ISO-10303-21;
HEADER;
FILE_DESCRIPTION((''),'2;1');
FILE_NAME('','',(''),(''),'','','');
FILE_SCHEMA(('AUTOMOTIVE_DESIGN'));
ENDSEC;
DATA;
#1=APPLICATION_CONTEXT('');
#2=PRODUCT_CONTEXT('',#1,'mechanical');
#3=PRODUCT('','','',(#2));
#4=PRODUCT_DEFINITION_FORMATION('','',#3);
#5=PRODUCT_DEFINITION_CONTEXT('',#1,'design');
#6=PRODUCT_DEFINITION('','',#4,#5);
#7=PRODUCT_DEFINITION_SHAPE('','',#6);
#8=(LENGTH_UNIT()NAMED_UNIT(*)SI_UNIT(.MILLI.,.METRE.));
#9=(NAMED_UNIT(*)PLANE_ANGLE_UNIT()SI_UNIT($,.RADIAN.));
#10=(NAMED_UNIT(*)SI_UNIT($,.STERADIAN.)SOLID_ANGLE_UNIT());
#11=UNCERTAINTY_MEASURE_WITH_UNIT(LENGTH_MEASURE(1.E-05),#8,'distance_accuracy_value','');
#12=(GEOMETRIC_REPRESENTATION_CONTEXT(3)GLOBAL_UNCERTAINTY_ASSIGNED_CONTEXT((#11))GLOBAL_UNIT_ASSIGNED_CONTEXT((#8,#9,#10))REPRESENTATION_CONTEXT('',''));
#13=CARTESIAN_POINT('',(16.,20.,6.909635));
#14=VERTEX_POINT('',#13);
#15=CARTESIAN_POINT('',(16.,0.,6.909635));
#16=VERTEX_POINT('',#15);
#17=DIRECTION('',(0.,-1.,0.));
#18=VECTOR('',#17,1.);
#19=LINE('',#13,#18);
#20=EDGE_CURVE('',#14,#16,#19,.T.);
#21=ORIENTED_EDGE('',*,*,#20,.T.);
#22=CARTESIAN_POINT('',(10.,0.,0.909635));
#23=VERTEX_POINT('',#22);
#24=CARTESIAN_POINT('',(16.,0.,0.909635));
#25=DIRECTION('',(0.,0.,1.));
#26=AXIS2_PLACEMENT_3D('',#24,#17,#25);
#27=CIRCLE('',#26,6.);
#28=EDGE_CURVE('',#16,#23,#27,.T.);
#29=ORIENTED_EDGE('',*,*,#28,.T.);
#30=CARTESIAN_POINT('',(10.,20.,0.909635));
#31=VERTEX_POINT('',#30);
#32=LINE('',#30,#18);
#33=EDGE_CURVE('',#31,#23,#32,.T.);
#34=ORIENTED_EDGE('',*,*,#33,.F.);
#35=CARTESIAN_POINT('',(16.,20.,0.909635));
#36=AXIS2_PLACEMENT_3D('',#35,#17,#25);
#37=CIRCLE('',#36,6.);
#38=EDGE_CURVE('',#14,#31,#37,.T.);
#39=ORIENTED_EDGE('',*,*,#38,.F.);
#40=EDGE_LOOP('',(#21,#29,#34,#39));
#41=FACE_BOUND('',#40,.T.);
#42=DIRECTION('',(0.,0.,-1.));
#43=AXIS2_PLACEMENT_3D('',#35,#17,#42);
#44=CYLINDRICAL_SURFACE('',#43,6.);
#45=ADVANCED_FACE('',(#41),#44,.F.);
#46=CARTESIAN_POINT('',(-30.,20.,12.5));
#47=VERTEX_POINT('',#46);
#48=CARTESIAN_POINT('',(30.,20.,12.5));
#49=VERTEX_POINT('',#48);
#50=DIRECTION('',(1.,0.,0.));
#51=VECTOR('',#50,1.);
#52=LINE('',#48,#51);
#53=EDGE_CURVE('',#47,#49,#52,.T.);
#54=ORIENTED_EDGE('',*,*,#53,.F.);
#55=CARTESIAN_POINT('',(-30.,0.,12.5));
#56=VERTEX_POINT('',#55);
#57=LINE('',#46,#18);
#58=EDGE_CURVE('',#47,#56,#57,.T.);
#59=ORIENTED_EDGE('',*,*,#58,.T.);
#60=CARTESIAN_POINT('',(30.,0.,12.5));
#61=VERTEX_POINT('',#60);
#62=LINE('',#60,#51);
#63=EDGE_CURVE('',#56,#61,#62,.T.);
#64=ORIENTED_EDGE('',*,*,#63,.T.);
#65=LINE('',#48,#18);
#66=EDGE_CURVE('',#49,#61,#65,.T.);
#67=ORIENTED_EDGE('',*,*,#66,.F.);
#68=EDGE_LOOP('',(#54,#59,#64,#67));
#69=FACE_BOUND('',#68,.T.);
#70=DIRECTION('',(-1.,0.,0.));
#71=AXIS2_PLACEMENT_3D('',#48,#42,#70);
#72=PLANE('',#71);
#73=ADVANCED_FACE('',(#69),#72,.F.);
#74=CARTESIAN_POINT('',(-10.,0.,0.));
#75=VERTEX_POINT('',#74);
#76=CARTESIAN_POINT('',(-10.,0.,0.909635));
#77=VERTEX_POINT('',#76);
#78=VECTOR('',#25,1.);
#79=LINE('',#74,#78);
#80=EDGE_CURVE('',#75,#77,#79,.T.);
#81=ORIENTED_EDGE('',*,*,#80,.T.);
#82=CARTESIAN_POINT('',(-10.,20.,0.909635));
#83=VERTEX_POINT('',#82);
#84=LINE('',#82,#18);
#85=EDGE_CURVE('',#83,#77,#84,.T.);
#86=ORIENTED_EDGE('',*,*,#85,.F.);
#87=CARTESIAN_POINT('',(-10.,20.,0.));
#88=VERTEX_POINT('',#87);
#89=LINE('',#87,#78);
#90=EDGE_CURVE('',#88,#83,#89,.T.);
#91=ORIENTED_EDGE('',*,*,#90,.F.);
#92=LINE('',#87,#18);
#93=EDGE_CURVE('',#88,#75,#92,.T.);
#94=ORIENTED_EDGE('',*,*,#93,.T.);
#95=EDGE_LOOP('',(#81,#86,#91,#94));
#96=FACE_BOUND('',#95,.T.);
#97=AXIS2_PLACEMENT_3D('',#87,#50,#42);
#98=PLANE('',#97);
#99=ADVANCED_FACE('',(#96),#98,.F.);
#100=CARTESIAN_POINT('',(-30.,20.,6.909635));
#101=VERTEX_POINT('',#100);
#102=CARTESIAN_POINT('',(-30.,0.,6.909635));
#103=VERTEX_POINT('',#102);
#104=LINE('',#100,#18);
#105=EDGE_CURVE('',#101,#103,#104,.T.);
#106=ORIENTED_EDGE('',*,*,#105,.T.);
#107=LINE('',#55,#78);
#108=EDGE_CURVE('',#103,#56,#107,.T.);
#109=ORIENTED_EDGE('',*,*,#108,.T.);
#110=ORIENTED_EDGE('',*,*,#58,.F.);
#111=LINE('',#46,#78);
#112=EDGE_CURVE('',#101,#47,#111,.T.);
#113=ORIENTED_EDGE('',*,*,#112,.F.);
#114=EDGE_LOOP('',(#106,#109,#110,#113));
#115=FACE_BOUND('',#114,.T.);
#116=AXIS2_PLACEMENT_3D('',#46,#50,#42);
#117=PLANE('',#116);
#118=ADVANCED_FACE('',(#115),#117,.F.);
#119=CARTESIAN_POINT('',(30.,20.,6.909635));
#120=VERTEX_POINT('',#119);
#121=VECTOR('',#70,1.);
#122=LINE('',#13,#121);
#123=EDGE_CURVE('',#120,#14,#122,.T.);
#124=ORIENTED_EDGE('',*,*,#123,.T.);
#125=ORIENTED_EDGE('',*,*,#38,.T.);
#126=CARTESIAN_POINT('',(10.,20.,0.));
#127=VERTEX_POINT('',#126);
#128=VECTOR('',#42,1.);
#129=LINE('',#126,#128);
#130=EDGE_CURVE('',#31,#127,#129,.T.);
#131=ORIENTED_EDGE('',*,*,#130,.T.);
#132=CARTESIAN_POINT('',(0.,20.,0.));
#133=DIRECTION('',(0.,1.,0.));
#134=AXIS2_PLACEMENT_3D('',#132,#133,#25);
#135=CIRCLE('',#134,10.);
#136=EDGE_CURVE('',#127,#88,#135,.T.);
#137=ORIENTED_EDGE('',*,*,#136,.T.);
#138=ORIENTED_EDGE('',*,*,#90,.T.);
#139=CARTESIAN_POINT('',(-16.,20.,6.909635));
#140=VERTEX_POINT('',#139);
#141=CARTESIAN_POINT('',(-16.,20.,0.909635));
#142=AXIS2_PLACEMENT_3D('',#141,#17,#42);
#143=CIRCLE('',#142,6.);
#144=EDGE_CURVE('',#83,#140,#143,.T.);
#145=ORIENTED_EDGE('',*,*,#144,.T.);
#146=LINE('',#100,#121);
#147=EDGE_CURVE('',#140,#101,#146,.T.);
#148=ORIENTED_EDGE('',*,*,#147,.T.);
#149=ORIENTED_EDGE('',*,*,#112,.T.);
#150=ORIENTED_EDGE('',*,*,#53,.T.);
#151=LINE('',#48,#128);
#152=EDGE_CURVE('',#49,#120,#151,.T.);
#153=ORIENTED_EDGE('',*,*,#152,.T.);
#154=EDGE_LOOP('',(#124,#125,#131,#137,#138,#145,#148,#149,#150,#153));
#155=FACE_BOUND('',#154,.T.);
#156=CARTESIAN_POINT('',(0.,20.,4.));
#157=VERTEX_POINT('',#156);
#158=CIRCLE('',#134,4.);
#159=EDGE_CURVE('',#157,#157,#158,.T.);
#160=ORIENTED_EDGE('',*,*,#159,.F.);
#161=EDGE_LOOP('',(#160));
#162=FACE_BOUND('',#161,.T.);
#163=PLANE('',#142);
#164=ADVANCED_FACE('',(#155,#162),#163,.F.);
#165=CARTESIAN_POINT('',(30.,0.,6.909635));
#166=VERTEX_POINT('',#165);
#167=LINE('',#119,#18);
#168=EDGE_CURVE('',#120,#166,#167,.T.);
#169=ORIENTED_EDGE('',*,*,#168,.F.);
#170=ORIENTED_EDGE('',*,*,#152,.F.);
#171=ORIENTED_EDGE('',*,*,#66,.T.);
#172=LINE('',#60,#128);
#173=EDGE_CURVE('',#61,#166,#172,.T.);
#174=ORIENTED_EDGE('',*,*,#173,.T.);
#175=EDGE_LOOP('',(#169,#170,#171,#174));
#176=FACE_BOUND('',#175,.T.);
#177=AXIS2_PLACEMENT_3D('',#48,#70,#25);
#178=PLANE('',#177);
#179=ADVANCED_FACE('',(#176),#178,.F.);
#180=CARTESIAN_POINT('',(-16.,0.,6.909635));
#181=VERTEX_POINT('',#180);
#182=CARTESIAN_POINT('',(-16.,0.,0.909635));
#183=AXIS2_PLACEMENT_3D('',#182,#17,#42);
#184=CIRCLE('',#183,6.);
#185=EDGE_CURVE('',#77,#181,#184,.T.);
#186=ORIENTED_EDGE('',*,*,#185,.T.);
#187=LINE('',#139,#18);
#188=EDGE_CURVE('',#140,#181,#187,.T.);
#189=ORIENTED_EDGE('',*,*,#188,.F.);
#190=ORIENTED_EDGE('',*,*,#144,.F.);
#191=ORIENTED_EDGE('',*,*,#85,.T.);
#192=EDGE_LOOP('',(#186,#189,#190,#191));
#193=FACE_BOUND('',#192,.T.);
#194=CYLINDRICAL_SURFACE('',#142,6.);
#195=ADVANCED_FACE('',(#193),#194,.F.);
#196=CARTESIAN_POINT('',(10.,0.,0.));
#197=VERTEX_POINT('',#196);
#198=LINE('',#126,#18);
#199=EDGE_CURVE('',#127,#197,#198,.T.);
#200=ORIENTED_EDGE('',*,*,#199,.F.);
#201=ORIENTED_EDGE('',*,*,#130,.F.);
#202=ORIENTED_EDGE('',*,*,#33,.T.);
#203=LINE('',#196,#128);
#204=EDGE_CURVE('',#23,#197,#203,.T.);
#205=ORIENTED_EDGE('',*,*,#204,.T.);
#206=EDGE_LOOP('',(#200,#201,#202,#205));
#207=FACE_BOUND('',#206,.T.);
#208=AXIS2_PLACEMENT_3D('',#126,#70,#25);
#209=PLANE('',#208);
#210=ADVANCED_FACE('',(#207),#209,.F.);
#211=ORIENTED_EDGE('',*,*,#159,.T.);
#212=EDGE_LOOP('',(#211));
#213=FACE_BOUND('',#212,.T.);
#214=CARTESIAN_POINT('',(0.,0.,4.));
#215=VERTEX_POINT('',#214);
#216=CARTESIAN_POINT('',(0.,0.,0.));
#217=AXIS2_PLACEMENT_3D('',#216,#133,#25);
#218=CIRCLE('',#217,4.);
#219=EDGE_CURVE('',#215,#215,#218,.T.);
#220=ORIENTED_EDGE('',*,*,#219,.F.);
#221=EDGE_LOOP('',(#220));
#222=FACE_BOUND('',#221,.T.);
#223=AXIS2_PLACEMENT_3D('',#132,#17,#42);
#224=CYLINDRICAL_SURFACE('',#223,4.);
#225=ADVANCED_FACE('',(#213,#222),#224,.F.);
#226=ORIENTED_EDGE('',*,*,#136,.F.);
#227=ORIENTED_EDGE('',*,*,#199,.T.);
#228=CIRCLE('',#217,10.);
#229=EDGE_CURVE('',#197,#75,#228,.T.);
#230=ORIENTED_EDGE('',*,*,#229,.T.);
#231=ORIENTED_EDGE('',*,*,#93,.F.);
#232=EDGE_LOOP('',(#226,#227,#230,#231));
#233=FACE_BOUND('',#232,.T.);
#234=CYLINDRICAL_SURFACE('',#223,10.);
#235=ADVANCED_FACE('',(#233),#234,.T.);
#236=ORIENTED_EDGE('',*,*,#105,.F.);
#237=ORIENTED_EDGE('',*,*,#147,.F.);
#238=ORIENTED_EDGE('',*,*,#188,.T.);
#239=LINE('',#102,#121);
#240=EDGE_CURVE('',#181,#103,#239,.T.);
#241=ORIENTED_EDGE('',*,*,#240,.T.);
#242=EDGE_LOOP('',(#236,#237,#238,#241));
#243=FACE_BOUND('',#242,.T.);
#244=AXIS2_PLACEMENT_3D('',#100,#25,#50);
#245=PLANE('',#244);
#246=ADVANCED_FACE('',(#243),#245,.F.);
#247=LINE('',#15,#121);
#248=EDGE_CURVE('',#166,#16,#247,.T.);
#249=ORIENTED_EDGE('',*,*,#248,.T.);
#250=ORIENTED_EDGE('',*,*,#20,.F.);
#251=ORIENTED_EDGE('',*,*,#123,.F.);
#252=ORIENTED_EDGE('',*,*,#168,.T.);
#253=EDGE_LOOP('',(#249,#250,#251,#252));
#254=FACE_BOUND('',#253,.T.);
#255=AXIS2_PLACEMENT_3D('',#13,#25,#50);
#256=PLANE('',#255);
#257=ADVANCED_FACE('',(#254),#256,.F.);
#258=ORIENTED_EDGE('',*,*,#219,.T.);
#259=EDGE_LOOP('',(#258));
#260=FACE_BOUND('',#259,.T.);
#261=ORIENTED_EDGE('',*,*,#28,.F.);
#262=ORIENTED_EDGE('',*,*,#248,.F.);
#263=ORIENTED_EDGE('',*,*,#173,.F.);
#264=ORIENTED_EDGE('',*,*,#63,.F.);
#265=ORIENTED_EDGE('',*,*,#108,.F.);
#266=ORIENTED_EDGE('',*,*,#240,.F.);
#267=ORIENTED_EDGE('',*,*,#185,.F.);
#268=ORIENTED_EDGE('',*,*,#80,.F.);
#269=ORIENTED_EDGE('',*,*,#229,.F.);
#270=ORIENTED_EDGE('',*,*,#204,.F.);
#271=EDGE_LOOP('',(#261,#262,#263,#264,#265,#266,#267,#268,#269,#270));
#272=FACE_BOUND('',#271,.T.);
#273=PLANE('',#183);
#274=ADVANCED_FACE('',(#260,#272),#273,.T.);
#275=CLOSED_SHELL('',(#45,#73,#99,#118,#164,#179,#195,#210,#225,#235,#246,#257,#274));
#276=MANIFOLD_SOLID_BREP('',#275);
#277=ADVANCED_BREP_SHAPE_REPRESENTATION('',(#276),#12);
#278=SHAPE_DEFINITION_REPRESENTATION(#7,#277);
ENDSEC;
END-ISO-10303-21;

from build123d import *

# Parameters (mm, degrees)
SKETCH1_R           = 4
BOSS_EXTRUDE1_DEPTH = 20


with BuildPart() as part:
    # Sketch1 → Boss-Extrude1 (new body)
    with BuildSketch(Plane(origin=(0, 0, 0), x_dir=(1, 0, 0), z_dir=(0, 1, 0))):
        with BuildLine():
            Line((30, -12.5), (-30, -12.5))
            Line((-30, -12.5), (-30, -6.90963498))
            Line((-30, -6.90963498), (-16, -6.90963498))
            ThreePointArc((-16, -6.90963498), (-11.757359313, -5.152275667), (-10, -0.90963498))
            Line((-10, -0.90963498), (-10, 0))
            ThreePointArc((-10, 0), (0, 10), (10, 0))
            Line((10, 0), (10, -0.90963498))
            ThreePointArc((10, -0.90963498), (11.757359313, -5.152275667), (16, -6.90963498))
            Line((16, -6.90963498), (30, -6.90963498))
            Line((30, -6.90963498), (30, -12.5))
        make_face()
        with Locations(Location((0, 0, 0), (0, 0, 270))):
            Circle(SKETCH1_R, mode=Mode.SUBTRACT)
    extrude(amount=BOSS_EXTRUDE1_DEPTH)


solid = part.part
